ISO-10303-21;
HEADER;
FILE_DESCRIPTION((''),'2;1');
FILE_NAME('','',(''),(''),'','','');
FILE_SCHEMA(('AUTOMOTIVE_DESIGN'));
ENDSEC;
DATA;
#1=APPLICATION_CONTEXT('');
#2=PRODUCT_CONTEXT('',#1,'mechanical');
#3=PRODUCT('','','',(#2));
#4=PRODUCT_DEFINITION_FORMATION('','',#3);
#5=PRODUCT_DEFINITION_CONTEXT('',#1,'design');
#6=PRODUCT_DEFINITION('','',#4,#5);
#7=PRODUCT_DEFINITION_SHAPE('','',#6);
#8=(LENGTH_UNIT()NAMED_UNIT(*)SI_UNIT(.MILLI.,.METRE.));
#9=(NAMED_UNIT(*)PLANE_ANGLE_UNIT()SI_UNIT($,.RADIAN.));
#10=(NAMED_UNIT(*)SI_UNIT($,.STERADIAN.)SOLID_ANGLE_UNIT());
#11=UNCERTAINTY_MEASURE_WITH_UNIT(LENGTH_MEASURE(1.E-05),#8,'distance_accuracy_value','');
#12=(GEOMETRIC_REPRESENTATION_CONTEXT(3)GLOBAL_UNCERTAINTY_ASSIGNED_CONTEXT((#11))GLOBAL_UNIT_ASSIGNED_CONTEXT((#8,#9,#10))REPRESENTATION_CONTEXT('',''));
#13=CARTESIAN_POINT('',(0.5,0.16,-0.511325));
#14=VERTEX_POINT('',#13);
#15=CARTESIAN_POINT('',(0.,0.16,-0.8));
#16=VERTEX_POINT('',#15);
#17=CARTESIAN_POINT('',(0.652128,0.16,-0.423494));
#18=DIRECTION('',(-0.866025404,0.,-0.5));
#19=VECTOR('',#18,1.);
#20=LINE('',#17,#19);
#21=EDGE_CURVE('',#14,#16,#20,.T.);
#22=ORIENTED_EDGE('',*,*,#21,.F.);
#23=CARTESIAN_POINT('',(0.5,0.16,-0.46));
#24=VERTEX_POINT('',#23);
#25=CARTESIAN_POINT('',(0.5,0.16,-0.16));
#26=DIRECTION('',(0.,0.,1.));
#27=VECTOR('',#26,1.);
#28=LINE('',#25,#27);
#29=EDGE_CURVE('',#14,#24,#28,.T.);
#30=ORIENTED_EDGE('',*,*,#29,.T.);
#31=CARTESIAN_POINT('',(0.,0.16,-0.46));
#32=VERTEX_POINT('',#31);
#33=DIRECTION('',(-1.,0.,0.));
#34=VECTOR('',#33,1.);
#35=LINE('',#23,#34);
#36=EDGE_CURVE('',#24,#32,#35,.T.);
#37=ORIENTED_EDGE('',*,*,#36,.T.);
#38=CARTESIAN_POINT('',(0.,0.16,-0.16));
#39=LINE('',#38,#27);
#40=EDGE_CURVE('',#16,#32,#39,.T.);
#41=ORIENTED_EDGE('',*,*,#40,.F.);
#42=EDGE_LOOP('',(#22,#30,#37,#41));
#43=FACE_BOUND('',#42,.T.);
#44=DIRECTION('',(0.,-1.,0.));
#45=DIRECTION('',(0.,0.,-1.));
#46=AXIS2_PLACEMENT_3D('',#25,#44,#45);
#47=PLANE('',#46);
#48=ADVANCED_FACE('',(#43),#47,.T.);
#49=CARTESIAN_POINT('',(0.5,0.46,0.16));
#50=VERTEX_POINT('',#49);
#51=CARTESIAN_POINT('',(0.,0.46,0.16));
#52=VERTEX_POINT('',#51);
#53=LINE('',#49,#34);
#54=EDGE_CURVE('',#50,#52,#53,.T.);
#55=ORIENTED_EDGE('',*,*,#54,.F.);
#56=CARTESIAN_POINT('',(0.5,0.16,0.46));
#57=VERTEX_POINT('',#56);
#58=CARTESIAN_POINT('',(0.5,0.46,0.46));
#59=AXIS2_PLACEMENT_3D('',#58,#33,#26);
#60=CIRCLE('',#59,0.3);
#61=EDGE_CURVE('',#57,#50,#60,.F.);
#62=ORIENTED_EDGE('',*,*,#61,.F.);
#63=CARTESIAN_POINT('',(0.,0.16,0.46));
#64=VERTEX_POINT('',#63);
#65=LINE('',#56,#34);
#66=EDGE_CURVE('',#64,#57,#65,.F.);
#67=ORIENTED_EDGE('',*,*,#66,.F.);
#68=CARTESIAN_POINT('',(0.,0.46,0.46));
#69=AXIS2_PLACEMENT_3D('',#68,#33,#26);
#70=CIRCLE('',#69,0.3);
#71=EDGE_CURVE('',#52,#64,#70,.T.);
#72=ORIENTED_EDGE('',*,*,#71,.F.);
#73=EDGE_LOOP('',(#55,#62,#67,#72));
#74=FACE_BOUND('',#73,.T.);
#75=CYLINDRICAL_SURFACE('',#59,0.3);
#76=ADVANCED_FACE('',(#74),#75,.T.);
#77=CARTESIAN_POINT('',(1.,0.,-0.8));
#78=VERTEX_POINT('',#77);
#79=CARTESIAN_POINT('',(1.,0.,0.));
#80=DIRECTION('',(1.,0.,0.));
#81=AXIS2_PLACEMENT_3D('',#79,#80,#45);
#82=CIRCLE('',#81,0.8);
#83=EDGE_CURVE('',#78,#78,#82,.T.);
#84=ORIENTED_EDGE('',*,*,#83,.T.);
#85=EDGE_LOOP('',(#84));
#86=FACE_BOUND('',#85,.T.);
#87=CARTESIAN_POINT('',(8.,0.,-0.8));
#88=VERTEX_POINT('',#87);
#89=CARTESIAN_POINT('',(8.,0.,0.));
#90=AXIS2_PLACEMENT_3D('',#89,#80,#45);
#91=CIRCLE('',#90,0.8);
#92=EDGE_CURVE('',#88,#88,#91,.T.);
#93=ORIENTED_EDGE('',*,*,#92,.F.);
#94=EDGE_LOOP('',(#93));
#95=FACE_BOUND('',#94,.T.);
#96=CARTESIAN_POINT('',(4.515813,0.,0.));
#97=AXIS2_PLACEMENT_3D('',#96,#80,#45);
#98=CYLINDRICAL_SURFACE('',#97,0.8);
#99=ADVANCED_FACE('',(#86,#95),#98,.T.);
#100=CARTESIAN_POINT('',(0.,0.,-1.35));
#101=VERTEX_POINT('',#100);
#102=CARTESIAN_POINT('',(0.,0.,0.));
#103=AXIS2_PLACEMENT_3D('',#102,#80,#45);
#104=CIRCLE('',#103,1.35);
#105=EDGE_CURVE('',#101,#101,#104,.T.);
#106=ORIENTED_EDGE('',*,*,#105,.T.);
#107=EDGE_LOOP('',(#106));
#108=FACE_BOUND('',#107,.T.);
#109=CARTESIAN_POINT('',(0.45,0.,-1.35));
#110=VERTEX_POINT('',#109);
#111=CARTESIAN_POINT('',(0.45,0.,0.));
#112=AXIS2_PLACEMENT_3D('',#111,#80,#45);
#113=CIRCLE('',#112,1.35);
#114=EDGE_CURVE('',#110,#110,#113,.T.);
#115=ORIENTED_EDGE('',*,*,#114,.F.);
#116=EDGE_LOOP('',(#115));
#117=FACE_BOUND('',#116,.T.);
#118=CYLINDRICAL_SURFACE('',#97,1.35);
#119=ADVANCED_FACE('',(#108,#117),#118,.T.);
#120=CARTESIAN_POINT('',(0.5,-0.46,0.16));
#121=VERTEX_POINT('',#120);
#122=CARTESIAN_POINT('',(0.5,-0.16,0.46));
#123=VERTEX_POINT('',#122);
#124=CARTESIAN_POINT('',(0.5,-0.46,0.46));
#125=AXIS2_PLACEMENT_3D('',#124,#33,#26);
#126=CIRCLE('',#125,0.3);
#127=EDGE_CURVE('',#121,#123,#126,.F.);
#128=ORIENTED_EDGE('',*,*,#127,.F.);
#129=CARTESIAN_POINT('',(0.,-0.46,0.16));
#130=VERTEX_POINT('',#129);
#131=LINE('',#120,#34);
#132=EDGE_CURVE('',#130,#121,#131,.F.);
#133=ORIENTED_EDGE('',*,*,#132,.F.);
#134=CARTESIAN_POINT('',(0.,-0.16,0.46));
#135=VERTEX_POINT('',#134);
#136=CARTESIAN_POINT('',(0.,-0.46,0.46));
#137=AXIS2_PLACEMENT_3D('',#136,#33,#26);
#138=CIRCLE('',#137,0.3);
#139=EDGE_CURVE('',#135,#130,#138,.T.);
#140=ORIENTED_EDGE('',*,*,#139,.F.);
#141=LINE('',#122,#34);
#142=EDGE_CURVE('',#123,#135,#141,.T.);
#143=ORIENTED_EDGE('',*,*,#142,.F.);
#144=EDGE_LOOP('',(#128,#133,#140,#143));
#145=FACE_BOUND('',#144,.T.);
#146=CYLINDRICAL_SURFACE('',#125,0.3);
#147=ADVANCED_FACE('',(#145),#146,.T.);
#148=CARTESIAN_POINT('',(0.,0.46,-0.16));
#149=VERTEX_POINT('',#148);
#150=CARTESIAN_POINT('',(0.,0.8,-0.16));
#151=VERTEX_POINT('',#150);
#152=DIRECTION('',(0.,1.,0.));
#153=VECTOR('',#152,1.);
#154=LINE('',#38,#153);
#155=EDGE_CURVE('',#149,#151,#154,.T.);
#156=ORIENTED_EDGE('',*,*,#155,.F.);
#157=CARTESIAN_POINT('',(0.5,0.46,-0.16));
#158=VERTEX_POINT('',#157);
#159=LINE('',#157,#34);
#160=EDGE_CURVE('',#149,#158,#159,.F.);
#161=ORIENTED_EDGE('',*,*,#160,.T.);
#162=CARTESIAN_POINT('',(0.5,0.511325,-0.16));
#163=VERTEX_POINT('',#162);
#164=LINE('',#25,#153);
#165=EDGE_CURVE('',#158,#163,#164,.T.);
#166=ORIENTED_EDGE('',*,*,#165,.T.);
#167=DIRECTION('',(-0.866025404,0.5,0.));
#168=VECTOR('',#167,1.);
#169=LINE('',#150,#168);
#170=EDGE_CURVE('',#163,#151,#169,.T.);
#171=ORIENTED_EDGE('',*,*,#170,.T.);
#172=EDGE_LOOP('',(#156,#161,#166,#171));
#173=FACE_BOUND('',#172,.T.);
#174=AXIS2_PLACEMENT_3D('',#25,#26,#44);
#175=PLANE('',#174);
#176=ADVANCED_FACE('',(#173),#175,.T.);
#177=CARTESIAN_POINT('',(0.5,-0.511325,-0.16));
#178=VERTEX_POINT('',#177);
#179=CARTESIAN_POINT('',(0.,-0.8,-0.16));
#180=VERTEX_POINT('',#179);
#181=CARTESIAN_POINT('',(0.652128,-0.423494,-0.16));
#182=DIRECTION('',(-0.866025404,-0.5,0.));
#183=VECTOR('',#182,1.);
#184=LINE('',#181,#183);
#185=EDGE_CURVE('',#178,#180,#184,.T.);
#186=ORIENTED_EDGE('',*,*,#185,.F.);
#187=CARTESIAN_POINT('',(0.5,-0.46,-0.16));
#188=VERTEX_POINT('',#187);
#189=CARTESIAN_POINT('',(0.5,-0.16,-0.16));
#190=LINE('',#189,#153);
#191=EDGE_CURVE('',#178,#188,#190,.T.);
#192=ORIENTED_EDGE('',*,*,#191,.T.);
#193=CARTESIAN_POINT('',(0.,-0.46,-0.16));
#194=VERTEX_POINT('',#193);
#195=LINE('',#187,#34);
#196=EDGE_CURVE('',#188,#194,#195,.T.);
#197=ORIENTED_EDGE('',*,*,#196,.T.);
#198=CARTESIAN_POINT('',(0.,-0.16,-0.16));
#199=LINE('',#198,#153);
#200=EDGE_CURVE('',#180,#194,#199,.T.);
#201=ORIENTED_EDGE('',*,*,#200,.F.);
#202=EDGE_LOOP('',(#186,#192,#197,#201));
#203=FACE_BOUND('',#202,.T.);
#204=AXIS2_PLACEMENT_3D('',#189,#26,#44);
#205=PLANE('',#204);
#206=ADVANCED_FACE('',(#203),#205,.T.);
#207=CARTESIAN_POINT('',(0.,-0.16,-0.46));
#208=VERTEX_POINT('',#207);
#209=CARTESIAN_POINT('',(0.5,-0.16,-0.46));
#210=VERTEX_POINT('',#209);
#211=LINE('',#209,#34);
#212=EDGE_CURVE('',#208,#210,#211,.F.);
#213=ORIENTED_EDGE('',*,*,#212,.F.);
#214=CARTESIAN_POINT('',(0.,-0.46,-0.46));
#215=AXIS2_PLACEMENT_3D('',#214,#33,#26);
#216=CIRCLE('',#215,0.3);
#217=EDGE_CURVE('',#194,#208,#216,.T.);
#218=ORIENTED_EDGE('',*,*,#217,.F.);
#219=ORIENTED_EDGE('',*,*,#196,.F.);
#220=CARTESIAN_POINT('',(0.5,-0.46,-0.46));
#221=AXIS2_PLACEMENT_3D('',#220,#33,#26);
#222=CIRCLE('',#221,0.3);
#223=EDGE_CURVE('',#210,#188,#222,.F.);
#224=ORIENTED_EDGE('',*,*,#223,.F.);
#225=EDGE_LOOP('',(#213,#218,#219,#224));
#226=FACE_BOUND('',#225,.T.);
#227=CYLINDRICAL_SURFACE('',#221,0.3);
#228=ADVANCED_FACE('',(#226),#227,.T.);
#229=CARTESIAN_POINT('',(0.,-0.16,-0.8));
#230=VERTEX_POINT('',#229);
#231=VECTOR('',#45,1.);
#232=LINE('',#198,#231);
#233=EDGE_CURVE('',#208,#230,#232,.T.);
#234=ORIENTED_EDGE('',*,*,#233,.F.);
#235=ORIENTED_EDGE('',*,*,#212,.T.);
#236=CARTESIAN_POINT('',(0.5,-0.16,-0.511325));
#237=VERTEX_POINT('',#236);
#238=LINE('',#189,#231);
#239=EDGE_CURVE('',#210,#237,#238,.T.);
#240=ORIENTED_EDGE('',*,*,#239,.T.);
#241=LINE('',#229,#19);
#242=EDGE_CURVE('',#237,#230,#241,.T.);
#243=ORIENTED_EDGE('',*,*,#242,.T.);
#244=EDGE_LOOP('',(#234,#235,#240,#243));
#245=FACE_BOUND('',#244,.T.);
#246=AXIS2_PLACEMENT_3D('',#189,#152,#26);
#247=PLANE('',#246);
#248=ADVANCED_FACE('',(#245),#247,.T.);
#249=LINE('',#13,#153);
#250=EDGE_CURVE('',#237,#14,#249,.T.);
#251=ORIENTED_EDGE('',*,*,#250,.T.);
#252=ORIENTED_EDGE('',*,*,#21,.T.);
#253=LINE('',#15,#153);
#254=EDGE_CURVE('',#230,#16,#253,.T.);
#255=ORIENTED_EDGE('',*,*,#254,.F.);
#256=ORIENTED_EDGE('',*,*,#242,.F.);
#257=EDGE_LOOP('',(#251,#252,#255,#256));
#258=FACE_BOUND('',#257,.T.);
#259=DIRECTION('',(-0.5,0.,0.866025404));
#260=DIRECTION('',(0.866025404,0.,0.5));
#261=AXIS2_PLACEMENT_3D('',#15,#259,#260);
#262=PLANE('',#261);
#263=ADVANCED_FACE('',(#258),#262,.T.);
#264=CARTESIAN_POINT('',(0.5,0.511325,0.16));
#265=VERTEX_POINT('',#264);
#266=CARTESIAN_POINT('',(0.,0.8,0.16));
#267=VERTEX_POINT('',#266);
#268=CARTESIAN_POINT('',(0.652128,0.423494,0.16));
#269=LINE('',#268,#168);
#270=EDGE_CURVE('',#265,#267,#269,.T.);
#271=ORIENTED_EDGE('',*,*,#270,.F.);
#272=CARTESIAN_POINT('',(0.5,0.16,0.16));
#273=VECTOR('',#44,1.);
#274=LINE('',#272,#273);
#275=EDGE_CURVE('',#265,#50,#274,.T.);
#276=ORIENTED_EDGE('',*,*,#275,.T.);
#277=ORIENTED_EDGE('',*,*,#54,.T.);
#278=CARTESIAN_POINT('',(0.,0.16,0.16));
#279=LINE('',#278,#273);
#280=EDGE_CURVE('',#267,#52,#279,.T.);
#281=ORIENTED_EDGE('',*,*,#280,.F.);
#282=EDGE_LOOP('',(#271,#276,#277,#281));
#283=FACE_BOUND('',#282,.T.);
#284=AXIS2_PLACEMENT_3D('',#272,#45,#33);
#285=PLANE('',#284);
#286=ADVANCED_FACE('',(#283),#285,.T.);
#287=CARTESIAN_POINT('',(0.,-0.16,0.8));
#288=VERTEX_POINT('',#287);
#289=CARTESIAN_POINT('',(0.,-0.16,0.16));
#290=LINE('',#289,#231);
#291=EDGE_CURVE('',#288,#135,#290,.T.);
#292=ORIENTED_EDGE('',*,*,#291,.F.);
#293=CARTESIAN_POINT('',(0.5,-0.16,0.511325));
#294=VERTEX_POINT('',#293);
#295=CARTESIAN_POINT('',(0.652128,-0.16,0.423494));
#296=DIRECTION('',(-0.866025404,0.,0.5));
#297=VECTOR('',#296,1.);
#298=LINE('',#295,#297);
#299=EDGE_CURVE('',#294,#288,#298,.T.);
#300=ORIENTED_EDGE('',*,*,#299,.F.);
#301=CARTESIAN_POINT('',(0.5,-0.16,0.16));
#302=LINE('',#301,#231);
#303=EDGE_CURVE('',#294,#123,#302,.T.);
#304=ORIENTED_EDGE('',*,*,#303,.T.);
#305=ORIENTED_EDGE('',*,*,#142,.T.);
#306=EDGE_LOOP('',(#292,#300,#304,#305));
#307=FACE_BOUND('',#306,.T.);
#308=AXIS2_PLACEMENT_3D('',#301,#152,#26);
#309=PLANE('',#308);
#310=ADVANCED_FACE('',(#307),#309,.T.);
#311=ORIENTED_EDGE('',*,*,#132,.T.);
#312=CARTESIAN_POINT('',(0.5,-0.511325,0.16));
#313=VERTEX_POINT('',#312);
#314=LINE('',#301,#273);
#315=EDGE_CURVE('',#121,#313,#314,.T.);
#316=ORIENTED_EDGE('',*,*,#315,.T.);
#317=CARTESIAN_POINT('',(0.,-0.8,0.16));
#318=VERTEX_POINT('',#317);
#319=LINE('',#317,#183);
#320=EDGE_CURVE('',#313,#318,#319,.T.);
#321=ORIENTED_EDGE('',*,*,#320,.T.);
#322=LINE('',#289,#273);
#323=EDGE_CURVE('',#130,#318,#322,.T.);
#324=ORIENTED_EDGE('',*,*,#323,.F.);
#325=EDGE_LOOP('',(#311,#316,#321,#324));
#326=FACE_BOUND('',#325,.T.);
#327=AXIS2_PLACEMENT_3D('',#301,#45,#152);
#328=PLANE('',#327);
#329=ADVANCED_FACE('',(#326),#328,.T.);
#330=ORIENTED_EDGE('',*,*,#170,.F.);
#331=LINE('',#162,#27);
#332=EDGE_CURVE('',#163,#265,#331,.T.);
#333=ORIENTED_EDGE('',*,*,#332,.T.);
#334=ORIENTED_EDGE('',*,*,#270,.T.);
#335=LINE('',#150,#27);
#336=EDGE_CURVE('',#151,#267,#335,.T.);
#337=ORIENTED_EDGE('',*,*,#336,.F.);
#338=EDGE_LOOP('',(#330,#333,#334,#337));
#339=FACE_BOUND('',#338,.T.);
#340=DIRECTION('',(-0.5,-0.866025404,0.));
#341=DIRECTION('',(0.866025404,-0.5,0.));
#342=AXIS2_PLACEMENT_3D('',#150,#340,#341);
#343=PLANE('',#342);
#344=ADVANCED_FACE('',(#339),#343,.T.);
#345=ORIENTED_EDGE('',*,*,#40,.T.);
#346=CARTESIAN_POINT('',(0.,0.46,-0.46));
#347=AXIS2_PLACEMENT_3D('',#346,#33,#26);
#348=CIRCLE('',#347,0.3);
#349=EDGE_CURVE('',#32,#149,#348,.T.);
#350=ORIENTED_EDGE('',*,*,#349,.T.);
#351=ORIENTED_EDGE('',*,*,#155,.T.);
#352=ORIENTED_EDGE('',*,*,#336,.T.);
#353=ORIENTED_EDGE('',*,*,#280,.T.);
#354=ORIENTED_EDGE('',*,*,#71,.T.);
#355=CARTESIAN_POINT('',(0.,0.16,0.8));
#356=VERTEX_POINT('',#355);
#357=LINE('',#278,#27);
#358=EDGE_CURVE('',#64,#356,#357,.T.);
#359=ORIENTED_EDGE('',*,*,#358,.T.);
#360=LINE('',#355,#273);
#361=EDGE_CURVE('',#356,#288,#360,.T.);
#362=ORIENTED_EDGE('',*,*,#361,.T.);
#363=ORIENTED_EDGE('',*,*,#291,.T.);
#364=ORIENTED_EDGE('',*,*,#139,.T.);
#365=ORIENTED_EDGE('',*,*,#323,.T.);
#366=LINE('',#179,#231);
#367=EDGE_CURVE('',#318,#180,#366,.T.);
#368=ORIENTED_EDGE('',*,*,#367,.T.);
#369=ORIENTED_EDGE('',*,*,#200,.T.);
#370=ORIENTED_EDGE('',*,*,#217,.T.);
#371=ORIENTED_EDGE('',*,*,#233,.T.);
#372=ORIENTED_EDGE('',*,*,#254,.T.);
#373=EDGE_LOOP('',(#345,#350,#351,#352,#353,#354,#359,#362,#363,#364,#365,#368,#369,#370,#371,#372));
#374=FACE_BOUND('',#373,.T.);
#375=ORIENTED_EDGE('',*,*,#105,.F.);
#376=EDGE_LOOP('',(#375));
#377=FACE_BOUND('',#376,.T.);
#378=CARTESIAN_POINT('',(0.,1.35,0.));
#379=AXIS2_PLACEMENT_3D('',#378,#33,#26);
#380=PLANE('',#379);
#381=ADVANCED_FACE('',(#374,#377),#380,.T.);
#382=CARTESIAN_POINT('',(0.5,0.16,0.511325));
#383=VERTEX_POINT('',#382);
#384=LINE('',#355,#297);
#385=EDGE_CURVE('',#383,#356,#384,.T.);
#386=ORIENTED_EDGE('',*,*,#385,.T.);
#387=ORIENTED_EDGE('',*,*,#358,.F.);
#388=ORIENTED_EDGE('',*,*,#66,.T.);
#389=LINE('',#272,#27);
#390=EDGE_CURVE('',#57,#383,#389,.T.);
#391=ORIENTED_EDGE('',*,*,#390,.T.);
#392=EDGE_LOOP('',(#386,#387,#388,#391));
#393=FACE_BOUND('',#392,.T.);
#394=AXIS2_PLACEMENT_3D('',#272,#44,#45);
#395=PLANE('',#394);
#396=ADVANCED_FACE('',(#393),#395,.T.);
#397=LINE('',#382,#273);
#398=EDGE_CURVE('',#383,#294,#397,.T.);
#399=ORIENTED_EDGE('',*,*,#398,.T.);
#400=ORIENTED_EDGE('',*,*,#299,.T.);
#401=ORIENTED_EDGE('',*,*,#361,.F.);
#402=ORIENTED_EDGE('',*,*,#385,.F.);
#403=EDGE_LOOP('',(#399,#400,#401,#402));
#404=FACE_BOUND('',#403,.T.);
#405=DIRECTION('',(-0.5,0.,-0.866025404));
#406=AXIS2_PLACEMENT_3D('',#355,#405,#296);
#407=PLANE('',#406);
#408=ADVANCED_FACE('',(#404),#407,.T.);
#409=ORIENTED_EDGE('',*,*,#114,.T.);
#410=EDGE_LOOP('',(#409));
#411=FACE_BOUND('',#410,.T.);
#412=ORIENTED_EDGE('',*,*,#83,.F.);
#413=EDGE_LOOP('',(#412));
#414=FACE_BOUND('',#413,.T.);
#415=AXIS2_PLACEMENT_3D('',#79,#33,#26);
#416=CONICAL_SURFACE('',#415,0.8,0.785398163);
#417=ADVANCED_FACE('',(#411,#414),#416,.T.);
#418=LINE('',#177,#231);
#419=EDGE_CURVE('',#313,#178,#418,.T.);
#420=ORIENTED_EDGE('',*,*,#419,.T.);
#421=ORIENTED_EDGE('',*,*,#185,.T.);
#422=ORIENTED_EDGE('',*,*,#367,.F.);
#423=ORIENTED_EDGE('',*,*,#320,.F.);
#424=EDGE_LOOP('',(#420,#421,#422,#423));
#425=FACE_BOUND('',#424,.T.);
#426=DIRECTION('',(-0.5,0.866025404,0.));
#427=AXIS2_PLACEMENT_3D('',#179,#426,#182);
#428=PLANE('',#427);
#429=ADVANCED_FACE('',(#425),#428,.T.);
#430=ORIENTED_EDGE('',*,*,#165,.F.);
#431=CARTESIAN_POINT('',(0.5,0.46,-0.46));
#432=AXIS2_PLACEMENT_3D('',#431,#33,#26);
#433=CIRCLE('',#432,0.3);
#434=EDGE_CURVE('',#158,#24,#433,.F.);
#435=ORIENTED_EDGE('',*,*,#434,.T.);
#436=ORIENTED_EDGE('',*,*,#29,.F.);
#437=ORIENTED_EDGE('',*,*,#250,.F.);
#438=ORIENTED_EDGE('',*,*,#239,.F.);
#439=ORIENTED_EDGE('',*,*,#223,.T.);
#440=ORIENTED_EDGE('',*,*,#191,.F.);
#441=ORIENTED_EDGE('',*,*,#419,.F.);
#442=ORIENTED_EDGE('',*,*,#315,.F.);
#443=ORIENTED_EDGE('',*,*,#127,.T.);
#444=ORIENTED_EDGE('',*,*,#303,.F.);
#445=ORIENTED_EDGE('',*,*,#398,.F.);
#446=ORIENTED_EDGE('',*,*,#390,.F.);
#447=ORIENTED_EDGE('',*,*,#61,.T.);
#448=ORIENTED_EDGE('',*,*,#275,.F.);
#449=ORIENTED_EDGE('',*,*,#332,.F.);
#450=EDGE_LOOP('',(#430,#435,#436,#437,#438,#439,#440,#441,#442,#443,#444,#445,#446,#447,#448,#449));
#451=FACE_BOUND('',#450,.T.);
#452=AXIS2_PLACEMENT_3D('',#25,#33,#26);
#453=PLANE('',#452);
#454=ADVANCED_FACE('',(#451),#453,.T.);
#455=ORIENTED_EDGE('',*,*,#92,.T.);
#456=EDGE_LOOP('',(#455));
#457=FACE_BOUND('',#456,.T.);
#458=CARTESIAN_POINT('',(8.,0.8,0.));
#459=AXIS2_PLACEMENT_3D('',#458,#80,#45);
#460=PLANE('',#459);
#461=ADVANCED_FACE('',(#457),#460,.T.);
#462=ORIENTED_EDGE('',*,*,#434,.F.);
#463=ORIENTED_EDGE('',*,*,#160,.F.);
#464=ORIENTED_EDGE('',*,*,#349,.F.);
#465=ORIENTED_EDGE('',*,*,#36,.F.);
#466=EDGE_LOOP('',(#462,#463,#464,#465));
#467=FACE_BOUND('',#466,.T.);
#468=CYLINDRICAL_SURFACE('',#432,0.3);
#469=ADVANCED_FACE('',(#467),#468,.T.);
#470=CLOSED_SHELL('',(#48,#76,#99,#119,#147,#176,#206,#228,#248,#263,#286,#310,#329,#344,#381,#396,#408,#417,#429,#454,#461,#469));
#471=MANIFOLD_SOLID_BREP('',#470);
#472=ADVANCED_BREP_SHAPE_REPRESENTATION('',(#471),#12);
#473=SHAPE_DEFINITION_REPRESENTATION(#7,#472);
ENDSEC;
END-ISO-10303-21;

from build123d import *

# Parameters (mm, degrees)
CROSSRECESS_DEPTH = 0.5
DRAFT9_ANGLE      = 30
FILLET5_R         = 0.3


with BuildPart() as part:
    # Sketch1 → Base (revolve)
    with BuildSketch(Plane.XY, mode=Mode.PRIVATE) as base_sk:
        Polygon((8, 0.8), (1.7, 0.8), (1, 0.8), (0.45, 1.35), (0, 1.35), (0, 0), (8, 0), align=None)
    revolve(base_sk.sketch.rotate(Axis((4.515812911, 0, 0), (-1, 0, 0)), 90), axis=Axis((4.515812911, 0, 0), (-1, 0, 0)))

    # Sketch6 → CrossRecess (cut)
    with BuildSketch(Plane(origin=(0, 0, 0), x_dir=(0, 0, -1), z_dir=(1, 0, 0))):
        Polygon((0.16, 0.16), (0.16, 0.8), (-0.16, 0.8), (-0.16, 0.16), (-0.8, 0.16), (-0.8, -0.16), (-0.16, -0.16), (-0.16, -0.8), (0.16, -0.8), (0.16, -0.16), (0.8, -0.16), (0.8, 0.16), align=None)
    extrude(amount=CROSSRECESS_DEPTH, mode=Mode.SUBTRACT)

    # Draft9
    draft9_faces = [part.faces().sort_by_distance(p)[0] for p in [
        (0.25, 0.8, 0),
        (0.25, 0, 0.8),
        (0.25, -0.8, 0),
        (0.25, 0, -0.8),
    ]]
    draft(draft9_faces, Plane(origin=(0, 1.35, 0), x_dir=(0, 0, -1), z_dir=(-1, 0, 0)), DRAFT9_ANGLE)

    # Fillet5
    fillet5_edges = [part.edges().sort_by_distance(p)[0] for p in [
        (0.25, 0.16, 0.16),
        (0.25, -0.16, 0.16),
        (0.25, -0.16, -0.16),
        (0.25, 0.16, -0.16),
    ]]
    fillet(fillet5_edges, radius=FILLET5_R)


solid = part.part
